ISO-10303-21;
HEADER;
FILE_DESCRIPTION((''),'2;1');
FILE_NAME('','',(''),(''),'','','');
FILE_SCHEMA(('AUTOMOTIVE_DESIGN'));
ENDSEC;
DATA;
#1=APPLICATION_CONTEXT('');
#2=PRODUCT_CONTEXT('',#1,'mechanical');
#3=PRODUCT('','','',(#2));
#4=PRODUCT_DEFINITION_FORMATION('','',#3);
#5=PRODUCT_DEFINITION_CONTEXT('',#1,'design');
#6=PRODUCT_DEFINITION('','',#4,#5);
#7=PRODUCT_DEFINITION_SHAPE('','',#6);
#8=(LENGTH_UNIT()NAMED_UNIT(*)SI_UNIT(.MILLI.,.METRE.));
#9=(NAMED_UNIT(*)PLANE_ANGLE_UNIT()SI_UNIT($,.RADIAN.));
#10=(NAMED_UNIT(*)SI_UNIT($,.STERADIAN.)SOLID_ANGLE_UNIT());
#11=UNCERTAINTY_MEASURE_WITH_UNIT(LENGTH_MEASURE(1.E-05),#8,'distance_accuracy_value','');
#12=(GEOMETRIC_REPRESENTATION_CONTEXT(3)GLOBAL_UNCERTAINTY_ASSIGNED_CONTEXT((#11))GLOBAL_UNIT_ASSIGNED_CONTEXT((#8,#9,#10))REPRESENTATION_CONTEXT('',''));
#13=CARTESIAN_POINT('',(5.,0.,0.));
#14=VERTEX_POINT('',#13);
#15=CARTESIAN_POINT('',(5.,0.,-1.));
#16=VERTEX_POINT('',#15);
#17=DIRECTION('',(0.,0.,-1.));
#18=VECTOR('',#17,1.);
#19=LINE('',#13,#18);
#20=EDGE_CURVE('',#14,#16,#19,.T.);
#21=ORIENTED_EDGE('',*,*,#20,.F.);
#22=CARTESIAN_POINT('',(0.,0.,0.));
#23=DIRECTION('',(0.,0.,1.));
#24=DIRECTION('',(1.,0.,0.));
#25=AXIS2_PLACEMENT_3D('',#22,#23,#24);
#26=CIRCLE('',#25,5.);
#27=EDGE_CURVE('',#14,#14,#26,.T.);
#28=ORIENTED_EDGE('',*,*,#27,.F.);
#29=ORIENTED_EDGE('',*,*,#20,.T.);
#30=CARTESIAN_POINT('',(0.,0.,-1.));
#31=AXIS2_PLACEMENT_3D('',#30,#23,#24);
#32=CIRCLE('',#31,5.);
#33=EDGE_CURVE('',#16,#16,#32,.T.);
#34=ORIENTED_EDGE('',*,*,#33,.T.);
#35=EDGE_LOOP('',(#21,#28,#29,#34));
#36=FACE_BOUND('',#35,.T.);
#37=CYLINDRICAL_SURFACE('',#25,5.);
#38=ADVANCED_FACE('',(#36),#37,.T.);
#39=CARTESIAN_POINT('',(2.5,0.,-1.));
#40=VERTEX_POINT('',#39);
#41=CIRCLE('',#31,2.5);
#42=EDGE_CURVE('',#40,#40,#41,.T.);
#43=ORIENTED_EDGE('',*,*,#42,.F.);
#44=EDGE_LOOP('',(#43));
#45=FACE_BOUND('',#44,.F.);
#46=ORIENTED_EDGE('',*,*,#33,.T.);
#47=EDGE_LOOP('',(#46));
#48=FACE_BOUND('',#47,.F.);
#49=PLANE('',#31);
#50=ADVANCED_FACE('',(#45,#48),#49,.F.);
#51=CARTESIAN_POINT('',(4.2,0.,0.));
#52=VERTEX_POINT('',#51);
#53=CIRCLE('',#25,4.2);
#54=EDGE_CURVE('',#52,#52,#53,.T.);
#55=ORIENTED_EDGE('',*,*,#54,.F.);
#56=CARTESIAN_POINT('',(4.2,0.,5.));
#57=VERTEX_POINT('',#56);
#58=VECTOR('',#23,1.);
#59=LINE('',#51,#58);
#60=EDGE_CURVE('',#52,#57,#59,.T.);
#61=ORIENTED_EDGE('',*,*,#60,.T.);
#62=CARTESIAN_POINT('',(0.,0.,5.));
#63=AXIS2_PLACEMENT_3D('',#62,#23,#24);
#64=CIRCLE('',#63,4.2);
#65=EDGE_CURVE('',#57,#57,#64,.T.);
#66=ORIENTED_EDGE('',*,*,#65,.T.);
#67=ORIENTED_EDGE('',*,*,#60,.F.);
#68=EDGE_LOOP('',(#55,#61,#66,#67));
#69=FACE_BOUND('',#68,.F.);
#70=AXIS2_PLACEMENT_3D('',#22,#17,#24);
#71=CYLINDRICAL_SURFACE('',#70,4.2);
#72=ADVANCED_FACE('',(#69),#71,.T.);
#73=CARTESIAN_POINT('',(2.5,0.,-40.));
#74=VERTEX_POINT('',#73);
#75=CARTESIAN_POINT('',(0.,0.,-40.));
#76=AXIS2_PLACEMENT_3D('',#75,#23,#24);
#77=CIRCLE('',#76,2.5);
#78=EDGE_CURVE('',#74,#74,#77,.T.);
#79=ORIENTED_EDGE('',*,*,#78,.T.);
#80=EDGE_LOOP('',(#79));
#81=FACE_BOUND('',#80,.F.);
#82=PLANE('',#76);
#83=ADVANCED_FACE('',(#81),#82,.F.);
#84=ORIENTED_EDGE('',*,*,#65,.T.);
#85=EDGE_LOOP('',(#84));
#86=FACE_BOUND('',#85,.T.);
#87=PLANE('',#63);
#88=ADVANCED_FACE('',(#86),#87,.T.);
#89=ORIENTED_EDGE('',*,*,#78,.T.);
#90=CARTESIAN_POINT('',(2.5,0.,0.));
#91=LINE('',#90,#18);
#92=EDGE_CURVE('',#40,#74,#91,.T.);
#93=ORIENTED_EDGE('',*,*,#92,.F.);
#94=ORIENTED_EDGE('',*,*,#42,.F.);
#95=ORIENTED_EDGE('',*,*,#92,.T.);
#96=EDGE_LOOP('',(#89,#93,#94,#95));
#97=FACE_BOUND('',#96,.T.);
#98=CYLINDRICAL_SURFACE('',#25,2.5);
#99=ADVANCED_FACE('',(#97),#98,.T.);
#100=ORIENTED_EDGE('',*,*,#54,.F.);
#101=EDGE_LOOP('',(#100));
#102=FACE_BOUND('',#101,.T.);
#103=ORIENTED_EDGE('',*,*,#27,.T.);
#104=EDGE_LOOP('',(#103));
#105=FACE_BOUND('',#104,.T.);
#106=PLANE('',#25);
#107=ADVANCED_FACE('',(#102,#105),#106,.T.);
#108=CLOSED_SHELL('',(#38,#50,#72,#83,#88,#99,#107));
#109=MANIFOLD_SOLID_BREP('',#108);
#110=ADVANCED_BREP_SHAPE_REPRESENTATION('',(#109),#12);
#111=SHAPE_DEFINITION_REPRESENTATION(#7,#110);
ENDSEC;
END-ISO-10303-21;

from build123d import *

# Parameters (mm, degrees)
F0_R     = 2.5
F1_DEPTH = 40
F2_R     = 4.2
F3_DEPTH = 5
F4_R     = 5
F5_DEPTH = 1


with BuildPart() as f1:
    # F0 (on Top) → F1 (new body)
    with BuildSketch(Plane.XY):
        Circle(F0_R)
    extrude(amount=-F1_DEPTH)

    # F2 (on Top) → F3 (join)
    with BuildSketch(Plane.XY):
        Circle(F2_R)
    extrude(amount=F3_DEPTH)

    # F4 (on Top) → F5 (join)
    with BuildSketch(Plane.XY):
        Circle(F4_R)
    extrude(amount=-F5_DEPTH)


solid = f1.part
